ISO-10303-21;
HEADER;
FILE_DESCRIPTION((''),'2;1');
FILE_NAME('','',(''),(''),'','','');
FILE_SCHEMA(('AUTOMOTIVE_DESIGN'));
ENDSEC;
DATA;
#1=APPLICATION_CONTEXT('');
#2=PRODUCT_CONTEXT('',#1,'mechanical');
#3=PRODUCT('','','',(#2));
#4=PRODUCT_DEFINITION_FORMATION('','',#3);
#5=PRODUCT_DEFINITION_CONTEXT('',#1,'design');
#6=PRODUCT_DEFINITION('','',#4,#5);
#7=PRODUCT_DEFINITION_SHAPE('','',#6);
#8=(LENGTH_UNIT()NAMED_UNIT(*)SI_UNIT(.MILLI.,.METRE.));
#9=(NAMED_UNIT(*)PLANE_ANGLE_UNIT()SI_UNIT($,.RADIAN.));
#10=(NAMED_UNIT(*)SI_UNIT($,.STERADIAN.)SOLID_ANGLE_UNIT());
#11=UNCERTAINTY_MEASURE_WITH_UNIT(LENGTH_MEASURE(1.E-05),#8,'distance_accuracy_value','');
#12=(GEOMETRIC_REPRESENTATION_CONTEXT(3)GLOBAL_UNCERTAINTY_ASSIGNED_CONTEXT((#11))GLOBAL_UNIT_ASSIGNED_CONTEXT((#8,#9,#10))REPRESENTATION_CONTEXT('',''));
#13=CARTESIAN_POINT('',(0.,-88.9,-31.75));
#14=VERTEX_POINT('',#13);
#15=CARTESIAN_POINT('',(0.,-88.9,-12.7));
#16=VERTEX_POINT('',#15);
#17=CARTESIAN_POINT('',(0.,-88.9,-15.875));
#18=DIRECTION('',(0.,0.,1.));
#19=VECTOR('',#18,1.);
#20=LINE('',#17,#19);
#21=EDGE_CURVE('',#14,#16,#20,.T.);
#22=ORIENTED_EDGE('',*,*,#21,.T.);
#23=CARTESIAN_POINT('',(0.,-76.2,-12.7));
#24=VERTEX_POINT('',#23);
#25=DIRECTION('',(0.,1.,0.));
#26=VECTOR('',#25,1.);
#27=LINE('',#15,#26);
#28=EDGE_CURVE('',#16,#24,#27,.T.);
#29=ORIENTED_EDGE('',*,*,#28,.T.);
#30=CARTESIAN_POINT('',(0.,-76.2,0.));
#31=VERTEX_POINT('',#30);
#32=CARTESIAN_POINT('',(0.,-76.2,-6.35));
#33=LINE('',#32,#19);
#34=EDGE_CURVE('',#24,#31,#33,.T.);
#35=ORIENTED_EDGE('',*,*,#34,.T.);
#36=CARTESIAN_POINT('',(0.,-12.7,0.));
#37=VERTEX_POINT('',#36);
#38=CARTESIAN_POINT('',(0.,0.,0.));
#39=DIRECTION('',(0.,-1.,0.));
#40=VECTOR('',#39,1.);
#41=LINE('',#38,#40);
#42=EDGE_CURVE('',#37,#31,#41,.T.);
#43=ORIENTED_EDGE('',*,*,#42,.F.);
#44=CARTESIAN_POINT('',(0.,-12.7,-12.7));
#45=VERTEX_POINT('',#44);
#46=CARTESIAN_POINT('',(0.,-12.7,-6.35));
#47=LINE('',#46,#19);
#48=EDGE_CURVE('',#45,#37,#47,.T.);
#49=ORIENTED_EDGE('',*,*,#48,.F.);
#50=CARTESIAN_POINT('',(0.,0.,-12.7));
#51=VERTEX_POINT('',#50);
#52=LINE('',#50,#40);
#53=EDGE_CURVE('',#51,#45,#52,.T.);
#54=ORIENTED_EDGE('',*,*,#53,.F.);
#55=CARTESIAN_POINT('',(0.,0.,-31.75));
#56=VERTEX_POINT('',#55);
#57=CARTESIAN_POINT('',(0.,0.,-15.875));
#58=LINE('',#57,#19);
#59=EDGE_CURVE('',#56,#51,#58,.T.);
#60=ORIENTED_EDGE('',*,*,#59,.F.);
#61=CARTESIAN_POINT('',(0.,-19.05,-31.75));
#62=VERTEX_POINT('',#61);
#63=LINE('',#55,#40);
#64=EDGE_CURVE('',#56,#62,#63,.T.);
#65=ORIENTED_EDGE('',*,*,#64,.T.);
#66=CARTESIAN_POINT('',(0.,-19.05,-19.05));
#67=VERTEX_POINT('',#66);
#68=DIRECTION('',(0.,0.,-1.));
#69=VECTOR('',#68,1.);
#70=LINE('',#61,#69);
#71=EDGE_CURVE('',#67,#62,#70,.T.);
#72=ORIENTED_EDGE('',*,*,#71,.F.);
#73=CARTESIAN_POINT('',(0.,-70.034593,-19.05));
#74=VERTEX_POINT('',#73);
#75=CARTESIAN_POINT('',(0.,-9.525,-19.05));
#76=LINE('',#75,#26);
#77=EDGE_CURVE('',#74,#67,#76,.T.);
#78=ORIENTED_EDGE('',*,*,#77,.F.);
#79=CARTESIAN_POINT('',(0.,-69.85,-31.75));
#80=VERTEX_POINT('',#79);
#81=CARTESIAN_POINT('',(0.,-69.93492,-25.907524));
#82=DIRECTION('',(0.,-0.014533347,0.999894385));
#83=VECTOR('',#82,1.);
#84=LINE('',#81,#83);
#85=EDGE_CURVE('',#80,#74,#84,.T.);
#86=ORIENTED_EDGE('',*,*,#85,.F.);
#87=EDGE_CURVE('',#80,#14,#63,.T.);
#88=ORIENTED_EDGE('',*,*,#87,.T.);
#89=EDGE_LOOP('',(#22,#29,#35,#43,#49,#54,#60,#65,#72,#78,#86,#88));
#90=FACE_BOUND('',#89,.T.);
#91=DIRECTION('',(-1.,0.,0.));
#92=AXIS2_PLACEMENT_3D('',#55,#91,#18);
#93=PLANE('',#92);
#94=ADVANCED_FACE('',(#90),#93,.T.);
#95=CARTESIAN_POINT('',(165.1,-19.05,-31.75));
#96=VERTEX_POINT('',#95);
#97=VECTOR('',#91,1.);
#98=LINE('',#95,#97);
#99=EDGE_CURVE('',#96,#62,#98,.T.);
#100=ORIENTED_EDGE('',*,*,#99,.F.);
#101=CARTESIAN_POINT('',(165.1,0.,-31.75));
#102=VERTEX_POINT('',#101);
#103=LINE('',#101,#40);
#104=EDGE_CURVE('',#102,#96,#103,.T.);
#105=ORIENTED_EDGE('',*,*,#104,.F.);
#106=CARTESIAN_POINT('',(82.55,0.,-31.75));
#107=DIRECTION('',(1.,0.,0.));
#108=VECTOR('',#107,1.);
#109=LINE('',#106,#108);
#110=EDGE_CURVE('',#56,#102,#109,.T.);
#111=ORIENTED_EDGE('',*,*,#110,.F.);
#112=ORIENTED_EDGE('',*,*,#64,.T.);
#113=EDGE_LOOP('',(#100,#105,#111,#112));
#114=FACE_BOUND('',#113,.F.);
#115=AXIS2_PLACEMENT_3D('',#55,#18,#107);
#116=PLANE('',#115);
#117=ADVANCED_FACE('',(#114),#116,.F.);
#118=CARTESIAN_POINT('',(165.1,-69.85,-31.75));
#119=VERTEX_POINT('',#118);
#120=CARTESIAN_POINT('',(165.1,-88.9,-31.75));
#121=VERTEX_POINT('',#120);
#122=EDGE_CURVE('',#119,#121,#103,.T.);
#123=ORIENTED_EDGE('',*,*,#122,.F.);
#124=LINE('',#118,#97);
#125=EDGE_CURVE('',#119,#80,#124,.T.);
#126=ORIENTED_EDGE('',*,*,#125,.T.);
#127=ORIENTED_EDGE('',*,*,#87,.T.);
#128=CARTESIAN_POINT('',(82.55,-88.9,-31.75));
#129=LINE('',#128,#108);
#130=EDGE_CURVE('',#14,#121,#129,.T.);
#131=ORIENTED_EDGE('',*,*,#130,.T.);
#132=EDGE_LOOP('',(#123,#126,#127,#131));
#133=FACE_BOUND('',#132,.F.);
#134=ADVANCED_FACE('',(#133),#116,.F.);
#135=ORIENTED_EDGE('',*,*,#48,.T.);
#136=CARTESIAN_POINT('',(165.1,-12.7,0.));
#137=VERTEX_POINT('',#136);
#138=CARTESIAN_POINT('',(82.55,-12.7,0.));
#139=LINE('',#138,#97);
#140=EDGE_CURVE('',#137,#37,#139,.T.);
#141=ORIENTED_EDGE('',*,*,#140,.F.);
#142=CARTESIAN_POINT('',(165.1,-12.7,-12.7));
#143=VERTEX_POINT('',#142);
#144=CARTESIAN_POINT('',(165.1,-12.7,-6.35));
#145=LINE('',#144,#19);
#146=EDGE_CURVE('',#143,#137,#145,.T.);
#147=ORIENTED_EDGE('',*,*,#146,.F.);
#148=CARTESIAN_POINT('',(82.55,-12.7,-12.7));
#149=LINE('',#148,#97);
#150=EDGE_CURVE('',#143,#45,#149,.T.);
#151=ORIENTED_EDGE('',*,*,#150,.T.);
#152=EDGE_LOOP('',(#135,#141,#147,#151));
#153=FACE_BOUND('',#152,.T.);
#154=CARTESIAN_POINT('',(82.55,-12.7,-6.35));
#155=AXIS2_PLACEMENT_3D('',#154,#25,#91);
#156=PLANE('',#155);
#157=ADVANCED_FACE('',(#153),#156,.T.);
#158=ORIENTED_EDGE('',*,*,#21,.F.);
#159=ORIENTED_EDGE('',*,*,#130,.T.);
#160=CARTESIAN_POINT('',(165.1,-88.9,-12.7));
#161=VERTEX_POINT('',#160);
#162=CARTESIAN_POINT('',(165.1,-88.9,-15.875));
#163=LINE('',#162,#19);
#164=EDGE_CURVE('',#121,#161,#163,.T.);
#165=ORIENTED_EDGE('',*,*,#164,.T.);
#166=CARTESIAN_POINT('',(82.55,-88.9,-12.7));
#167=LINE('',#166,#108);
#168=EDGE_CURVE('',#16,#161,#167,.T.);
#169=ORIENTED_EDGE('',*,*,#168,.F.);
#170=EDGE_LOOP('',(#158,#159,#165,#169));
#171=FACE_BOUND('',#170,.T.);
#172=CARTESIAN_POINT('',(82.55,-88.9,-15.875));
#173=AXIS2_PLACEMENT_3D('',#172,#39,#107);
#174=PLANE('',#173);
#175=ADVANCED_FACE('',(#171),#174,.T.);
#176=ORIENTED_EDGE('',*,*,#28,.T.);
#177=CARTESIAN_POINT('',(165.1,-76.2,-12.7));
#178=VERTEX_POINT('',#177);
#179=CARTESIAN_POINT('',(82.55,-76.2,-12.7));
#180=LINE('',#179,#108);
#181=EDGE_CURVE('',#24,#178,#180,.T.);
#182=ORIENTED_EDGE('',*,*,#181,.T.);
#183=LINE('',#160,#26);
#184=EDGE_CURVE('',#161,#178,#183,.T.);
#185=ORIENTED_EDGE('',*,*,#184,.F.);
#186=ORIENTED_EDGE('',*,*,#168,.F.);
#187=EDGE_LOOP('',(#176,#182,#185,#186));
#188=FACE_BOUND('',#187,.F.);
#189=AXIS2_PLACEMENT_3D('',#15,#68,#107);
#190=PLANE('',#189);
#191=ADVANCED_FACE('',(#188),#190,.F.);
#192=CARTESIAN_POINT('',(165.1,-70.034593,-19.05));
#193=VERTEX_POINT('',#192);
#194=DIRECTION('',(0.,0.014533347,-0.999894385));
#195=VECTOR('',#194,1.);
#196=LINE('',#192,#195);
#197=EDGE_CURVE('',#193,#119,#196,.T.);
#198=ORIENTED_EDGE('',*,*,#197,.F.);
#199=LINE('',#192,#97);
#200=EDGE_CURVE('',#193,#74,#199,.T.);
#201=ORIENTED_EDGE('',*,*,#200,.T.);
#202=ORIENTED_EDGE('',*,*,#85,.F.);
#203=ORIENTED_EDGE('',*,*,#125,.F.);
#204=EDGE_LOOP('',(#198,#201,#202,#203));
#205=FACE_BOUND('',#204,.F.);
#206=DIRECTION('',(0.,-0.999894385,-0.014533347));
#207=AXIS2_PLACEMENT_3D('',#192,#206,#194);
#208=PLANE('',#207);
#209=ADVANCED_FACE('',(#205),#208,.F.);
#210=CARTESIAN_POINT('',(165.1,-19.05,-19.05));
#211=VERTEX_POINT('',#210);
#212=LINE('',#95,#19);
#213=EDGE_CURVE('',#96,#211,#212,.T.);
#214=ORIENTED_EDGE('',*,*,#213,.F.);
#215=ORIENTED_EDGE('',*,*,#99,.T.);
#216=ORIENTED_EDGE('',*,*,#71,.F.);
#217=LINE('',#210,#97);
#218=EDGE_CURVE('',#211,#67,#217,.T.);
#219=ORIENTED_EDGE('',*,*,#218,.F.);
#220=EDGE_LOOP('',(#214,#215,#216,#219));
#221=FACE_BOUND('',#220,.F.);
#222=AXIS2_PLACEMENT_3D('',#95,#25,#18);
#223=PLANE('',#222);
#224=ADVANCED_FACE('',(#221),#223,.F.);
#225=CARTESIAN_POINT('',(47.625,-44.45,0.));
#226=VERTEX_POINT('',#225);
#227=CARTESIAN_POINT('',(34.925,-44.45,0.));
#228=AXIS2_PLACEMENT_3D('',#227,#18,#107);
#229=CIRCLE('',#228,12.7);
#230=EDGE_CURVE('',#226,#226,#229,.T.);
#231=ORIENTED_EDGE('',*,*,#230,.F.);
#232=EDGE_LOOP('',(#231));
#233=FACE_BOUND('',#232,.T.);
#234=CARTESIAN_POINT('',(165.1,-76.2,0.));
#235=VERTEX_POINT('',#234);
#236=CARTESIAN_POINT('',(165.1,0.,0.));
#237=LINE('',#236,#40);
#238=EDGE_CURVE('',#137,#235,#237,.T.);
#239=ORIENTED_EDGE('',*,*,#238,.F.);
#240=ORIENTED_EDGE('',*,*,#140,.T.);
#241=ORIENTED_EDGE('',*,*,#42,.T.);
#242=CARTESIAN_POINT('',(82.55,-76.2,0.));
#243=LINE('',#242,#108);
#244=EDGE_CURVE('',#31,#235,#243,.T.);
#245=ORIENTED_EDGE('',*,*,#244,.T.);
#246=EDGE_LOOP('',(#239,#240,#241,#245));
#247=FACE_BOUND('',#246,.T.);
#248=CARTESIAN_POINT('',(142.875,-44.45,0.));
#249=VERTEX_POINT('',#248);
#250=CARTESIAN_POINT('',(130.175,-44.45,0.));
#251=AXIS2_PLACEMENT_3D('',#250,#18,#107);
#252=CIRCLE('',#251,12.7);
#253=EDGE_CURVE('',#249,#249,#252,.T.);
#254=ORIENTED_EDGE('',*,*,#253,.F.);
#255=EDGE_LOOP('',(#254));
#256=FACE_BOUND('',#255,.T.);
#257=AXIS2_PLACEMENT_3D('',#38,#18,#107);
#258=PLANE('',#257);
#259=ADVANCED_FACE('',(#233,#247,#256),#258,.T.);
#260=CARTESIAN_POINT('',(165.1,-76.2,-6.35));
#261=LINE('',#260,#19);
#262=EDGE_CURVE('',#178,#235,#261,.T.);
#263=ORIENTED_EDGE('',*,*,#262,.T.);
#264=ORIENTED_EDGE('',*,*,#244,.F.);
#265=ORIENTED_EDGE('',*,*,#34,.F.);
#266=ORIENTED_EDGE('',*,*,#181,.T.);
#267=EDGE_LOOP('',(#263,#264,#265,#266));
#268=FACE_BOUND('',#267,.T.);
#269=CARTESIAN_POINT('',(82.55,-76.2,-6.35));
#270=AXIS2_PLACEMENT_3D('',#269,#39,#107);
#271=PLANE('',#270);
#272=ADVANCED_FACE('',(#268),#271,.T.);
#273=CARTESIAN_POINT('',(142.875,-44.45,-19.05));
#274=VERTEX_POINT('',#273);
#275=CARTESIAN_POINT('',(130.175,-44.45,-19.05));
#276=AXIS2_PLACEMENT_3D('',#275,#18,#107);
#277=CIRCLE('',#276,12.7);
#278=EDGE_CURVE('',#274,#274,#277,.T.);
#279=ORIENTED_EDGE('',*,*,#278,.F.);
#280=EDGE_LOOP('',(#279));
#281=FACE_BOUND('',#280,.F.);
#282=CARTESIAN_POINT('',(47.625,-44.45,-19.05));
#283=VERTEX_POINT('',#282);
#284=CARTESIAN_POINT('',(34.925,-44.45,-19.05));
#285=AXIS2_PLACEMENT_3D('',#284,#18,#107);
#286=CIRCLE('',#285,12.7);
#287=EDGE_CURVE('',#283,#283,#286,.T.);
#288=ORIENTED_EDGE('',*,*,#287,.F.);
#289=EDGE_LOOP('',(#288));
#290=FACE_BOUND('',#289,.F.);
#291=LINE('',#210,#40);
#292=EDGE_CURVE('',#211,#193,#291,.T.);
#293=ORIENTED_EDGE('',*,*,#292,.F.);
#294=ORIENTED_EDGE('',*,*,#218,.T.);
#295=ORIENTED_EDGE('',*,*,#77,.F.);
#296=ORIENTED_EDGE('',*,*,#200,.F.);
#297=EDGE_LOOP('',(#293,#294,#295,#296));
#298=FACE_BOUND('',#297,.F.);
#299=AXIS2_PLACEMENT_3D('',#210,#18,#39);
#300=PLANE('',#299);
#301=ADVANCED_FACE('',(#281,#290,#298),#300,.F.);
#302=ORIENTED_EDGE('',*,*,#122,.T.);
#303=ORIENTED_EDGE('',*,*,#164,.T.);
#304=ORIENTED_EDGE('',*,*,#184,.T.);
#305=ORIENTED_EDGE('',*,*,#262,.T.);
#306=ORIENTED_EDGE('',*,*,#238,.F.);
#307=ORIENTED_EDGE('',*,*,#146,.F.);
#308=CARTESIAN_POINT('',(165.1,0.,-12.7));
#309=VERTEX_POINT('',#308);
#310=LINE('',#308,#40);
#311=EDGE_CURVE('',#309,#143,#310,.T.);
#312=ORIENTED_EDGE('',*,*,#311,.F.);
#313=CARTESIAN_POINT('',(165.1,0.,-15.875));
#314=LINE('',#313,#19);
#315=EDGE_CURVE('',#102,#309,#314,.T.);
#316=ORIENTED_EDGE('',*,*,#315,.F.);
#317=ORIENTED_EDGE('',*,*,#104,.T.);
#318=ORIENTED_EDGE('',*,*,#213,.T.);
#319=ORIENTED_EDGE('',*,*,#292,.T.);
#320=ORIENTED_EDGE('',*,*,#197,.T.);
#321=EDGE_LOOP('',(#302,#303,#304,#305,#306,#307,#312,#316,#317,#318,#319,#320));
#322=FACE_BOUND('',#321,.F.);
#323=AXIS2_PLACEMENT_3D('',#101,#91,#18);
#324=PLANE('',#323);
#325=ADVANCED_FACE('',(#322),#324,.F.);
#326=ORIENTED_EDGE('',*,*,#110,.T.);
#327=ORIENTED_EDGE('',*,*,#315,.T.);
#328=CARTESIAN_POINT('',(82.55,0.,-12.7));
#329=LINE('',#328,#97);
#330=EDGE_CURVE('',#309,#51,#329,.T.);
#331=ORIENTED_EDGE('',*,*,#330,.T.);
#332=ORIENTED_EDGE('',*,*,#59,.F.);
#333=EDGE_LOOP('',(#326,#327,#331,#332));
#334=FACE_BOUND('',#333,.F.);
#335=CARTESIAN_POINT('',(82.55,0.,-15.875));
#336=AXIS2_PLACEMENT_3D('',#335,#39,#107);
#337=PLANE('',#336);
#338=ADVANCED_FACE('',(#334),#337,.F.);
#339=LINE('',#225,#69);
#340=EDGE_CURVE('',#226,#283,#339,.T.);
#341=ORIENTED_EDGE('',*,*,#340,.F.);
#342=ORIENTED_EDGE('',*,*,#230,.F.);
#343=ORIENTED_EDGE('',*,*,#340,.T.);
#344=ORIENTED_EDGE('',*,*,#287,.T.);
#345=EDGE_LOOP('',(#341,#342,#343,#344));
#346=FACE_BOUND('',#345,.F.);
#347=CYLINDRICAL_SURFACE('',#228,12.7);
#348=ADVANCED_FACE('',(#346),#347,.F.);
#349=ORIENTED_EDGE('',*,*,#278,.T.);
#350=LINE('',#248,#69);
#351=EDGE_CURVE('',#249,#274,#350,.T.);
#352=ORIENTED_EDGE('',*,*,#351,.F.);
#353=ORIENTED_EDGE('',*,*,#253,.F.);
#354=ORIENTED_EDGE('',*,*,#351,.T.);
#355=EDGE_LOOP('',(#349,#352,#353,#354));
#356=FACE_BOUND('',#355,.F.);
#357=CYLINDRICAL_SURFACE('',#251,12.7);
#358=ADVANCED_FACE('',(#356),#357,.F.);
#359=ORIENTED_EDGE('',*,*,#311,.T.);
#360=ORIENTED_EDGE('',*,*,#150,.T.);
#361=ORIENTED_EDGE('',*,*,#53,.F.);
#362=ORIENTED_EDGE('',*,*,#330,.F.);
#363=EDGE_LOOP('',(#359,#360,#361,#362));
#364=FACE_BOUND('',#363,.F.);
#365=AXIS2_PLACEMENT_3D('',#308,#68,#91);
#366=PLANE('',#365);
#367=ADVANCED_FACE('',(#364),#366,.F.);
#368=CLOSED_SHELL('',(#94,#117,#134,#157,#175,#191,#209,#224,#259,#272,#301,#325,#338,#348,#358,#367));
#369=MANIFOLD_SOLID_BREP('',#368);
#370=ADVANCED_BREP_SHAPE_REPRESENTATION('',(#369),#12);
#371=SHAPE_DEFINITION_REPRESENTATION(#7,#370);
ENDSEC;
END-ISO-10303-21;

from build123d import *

# Parameters (mm, degrees)
F0_W     = 165.1
F0_H     = 31.75
F1_DEPTH = 88.9
F3_DEPTH = 165.101
F4_W     = 165.1
F4_H     = 12.7
F5_DEPTH = 12.7
F6_W     = 165.1
F6_H     = 12.7
F7_DEPTH = 12.7
F8_R     = 12.7
F9_DEPTH = 31.751


with BuildPart() as f1:
    # F0 (on Front) → F1 (new body)
    with BuildSketch(Plane.XZ):
        with Locations((82.55, -15.875)):
            Rectangle(F0_W, F0_H)
    extrude(amount=F1_DEPTH)

    # F2 (on face) → F3 (cut, through all)
    with BuildSketch(Plane.YZ.offset(165.1)):
        Polygon((-70.034593, -19.05), (-69.85, -31.75), (-19.05, -31.75), (-19.05, -19.05), align=None)
    extrude(amount=-F3_DEPTH, mode=Mode.SUBTRACT)

    # F4 (on face) → F5 (cut)
    with BuildSketch(Plane.XZ.offset(88.9)):
        with Locations((82.55, -6.35)):
            Rectangle(F4_W, F4_H)
    extrude(amount=-F5_DEPTH, mode=Mode.SUBTRACT)

    # F6 (on face) → F7 (cut)
    with BuildSketch(Plane(origin=(0, 0, 0), x_dir=(-1, 0, 0), z_dir=(0, 1, 0))):
        with Locations((-82.55, -6.35)):
            Rectangle(F6_W, F6_H)
    extrude(amount=-F7_DEPTH, mode=Mode.SUBTRACT)

    # F8 (on face) → F9 (cut, through all)
    with BuildSketch(Plane.XY):
        with Locations((34.925, -44.45)):
            Circle(F8_R)
        with Locations((130.175, -44.45)):
            Circle(F8_R)
    extrude(amount=-F9_DEPTH, mode=Mode.SUBTRACT)


solid = f1.part
